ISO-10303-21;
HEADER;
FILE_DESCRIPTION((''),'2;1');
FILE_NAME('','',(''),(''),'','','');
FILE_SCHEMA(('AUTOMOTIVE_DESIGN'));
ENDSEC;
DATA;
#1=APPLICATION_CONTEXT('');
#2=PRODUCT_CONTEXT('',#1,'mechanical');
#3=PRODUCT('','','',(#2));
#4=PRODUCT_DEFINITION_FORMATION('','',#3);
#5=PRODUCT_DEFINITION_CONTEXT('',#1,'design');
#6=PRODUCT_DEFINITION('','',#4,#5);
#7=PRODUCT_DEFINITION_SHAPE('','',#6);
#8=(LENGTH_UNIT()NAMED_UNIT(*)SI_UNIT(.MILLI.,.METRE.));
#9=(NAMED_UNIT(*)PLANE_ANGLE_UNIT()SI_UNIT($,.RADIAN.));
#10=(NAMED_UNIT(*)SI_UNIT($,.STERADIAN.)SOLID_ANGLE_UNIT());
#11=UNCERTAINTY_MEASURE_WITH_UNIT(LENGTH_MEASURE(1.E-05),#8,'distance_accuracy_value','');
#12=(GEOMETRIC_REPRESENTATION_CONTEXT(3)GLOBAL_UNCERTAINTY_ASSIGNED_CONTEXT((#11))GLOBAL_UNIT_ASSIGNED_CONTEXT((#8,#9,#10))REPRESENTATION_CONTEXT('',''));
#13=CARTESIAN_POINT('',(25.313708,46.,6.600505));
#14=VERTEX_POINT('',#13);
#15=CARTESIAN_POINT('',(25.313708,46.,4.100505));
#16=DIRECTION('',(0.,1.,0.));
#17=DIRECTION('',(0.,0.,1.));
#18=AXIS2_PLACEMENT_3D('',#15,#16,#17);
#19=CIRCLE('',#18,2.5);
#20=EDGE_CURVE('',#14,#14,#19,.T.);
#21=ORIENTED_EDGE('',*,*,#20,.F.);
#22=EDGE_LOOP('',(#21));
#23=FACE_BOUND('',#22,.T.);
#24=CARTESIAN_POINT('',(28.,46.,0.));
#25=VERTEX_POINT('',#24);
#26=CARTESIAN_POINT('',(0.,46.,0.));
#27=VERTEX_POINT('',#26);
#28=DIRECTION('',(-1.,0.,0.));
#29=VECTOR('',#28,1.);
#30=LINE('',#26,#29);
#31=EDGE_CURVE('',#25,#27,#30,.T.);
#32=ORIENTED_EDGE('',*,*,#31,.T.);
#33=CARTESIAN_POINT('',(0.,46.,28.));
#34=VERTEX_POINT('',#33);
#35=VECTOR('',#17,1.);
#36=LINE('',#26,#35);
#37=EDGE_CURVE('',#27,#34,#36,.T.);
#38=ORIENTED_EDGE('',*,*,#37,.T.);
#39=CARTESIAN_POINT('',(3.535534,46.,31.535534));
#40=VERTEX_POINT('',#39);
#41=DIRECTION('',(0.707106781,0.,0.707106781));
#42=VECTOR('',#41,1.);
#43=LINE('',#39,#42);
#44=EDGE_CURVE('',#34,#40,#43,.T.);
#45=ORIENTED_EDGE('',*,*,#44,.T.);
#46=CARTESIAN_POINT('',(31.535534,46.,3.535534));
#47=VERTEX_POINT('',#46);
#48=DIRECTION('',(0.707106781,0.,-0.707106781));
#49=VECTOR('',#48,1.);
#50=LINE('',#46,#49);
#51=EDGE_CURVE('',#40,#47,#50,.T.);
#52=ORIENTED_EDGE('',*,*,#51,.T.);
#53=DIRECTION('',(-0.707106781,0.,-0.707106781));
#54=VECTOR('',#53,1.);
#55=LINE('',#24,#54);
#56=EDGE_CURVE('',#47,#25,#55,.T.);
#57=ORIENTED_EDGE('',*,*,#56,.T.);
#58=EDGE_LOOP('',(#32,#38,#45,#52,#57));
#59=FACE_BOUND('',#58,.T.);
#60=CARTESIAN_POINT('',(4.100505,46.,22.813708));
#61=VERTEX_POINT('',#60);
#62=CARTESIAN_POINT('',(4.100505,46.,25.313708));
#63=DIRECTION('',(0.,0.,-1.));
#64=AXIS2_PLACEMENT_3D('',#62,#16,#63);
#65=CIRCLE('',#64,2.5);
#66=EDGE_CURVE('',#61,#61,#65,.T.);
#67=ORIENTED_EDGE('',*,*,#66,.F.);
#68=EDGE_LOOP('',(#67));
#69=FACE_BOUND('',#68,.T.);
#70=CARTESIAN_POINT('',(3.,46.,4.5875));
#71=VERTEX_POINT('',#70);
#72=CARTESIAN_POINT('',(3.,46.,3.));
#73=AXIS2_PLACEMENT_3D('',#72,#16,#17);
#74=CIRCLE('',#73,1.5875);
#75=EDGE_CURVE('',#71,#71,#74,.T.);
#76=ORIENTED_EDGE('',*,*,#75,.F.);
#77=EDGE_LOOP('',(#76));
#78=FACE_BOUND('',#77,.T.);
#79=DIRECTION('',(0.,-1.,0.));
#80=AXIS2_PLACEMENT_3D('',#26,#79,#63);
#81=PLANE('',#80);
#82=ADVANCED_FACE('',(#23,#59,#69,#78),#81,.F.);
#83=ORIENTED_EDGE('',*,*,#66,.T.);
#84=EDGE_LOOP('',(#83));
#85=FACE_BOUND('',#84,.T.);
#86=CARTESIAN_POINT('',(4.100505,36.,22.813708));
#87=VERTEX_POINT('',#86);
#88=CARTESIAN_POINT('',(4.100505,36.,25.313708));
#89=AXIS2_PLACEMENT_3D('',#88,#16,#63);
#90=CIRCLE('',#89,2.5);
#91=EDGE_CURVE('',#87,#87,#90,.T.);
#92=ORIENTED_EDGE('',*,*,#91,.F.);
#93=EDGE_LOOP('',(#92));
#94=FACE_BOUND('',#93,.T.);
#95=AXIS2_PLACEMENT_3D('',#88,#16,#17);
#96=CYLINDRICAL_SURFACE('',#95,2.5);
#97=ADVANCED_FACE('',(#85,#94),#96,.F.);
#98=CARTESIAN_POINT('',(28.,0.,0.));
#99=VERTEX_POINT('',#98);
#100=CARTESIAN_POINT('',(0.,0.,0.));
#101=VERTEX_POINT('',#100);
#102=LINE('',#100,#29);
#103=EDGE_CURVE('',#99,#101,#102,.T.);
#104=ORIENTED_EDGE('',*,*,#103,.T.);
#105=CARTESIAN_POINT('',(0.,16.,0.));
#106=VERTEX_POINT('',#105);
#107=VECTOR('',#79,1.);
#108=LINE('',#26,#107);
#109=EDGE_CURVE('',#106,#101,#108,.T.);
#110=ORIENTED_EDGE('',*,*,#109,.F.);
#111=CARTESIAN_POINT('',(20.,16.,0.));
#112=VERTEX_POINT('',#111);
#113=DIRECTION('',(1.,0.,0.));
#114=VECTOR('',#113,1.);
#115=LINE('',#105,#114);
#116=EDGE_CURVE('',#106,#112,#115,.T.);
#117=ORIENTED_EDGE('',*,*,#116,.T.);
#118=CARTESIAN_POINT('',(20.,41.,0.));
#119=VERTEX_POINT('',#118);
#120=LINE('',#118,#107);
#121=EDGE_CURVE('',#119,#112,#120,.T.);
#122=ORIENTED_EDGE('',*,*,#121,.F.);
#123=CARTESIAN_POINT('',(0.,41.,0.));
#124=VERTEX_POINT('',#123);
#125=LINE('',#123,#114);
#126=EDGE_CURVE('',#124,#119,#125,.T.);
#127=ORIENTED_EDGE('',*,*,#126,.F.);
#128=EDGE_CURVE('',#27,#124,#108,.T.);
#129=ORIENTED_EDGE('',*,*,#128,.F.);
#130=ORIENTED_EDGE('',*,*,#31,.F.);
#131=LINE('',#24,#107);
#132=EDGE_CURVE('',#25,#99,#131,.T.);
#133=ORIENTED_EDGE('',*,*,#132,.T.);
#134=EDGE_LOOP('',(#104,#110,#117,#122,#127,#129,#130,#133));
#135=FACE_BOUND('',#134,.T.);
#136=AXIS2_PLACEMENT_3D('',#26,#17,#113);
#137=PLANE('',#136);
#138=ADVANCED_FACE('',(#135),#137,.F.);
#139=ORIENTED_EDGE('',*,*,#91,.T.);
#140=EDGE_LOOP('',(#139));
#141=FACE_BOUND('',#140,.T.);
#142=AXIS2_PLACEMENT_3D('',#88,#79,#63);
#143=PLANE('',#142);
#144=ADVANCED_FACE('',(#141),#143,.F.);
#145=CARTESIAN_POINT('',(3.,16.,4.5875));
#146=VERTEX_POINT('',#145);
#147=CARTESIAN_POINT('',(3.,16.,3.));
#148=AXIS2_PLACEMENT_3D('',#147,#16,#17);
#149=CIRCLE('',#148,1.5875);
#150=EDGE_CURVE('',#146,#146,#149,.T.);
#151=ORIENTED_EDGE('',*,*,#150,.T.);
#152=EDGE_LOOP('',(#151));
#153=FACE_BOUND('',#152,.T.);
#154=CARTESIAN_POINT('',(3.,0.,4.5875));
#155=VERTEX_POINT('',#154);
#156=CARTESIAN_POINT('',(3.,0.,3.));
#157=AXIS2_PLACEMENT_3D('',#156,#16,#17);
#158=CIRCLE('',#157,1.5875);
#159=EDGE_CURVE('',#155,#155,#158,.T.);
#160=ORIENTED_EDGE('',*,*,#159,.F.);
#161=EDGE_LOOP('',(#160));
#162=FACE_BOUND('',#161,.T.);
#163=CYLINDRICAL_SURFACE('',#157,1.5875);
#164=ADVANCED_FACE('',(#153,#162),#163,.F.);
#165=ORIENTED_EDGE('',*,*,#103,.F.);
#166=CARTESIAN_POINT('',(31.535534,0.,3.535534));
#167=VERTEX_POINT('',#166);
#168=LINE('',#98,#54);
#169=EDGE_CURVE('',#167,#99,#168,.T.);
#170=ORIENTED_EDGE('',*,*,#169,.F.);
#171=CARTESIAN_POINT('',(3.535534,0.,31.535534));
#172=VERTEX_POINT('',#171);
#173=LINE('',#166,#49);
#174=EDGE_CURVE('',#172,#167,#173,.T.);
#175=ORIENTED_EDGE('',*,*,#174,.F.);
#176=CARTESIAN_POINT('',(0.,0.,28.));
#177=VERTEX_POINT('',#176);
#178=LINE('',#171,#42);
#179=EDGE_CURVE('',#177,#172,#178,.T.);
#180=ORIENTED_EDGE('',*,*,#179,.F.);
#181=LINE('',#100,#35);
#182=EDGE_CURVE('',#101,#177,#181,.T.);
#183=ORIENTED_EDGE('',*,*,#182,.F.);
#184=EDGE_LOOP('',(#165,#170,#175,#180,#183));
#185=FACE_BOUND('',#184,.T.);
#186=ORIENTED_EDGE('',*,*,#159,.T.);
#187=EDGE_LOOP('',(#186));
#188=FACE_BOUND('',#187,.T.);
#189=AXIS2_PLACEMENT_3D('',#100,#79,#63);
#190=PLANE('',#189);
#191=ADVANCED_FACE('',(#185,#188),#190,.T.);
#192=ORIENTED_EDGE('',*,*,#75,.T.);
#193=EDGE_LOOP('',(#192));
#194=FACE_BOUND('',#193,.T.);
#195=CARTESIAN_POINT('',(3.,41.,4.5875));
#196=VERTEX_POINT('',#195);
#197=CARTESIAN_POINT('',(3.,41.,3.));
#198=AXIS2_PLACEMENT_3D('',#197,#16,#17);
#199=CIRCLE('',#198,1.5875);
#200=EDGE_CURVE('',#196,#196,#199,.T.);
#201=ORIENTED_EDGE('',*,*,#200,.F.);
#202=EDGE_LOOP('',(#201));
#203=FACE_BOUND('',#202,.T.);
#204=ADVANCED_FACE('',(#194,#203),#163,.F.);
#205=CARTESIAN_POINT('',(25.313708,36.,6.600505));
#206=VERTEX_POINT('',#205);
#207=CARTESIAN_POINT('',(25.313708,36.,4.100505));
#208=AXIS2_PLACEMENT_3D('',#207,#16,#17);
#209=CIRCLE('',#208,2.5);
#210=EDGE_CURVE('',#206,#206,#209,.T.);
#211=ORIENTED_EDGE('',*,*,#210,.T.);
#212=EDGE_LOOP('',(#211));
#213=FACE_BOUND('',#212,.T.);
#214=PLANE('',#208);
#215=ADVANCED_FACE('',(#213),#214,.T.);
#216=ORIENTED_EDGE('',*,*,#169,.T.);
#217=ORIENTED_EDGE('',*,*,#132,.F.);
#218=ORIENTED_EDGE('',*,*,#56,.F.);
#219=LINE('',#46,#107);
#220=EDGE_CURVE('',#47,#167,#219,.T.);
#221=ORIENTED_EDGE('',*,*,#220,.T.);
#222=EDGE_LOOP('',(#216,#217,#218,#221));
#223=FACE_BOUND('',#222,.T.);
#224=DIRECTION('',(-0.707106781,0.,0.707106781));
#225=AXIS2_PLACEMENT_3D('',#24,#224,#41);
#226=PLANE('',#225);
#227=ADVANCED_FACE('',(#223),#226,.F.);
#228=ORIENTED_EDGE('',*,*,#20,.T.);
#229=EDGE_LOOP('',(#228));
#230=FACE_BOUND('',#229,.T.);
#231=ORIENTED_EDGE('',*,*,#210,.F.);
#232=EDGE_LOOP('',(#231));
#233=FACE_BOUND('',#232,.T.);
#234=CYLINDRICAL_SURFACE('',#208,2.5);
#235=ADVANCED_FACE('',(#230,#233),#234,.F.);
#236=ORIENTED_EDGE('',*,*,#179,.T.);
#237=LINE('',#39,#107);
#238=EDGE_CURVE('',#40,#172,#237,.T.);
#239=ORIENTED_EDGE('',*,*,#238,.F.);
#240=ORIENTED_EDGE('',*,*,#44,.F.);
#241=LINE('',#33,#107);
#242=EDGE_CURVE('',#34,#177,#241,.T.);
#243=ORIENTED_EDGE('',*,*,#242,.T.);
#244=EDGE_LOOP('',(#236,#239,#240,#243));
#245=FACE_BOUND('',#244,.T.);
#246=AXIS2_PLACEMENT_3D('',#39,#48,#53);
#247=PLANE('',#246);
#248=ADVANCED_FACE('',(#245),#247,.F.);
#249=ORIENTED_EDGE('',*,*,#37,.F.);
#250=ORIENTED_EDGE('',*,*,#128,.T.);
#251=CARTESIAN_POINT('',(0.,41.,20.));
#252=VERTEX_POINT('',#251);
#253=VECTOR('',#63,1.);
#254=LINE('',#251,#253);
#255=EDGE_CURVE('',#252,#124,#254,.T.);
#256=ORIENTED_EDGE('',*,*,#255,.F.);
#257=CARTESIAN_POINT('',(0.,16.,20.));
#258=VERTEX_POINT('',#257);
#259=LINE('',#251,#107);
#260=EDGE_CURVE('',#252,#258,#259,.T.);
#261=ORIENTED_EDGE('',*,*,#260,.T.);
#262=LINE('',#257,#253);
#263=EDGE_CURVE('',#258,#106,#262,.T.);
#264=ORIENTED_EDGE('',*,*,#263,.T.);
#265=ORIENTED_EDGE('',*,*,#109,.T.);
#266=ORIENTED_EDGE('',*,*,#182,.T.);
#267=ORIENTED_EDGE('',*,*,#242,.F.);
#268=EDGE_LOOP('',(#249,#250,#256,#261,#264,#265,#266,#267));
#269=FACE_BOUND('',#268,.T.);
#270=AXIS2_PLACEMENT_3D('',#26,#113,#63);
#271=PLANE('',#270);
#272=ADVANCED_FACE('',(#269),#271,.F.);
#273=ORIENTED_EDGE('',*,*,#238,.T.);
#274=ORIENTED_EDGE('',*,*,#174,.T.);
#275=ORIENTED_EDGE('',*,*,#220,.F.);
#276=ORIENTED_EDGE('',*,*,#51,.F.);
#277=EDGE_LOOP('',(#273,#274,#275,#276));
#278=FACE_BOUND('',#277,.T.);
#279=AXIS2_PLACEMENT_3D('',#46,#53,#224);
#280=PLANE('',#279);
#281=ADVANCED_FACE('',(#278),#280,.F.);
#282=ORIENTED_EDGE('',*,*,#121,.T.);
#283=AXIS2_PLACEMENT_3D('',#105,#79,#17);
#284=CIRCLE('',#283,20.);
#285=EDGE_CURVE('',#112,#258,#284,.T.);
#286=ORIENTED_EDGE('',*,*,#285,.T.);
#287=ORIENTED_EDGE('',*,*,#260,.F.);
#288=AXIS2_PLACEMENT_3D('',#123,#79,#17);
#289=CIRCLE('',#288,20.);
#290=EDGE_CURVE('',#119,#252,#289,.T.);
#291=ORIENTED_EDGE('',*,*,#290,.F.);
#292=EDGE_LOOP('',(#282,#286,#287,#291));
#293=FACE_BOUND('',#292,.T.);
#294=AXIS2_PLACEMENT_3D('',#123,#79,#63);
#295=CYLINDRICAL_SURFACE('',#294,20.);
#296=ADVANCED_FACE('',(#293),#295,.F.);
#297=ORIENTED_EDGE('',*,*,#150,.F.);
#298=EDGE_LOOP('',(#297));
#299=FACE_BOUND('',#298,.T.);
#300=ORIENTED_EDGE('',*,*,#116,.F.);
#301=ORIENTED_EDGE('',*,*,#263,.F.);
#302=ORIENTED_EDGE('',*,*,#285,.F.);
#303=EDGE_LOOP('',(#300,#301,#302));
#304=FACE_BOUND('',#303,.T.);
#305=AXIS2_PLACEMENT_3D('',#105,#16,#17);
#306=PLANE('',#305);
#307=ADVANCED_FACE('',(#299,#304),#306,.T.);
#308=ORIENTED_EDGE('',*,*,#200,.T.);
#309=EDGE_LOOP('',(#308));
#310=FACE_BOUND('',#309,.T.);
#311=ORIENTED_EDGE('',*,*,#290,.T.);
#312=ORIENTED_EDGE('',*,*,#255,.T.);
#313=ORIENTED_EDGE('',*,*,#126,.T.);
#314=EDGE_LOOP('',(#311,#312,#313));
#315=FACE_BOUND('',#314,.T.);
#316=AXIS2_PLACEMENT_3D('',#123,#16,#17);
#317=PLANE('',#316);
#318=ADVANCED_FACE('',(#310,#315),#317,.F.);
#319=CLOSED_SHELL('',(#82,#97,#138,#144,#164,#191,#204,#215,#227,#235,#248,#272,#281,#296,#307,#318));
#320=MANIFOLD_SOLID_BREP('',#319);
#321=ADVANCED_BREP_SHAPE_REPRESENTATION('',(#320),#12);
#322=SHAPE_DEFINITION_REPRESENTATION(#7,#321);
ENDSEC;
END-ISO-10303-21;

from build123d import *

# Parameters (mm, degrees)
BOSS_EXTRUDE1_DEPTH = 46
CUT_EXTRUDE3_START  = -16
CUT_EXTRUDE3_DEPTH  = 25
SKETCH3_R           = 1.5875
CUT_EXTRUDE4_DEPTH  = 65.070116259
SKETCH5_R           = 2.5
CUT_EXTRUDE5_DEPTH  = 10


with BuildPart() as part:
    # Sketch1 → Boss-Extrude1 (new body)
    with BuildSketch(Plane(origin=(0, 0, 0), x_dir=(1, 0, 0), z_dir=(0, 1, 0))):
        Polygon((0, 0), (0, -28), (3.535533906, -31.535533906), (31.535533906, -3.535533906), (28, 0), align=None)
    extrude(amount=BOSS_EXTRUDE1_DEPTH)

    # Sketch2 → Cut-Extrude3 (cut)
    with BuildSketch(Plane.XZ.offset(CUT_EXTRUDE3_START)):
        with BuildLine():
            Line((0, 20), (0, 0))
            Line((0, 0), (20, 0))
            ThreePointArc((20, 0), (14.142135624, 14.142135624), (0, 20))
        make_face()
    extrude(amount=-CUT_EXTRUDE3_DEPTH, mode=Mode.SUBTRACT)

    # Sketch3 → Cut-Extrude4 (cut, through all)
    with BuildSketch(Plane(origin=(0, 46, 0), x_dir=(1, 0, 0), z_dir=(0, 1, 0))):
        with Locations(Location((3, -3, 0), (0, 0, 270))):
            Circle(SKETCH3_R)
    extrude(amount=-CUT_EXTRUDE4_DEPTH, mode=Mode.SUBTRACT)

    # Sketch5 → Cut-Extrude5 (cut)
    with BuildSketch(Plane(origin=(0, 46, 0), x_dir=(1, 0, 0), z_dir=(0, 1, 0))):
        with Locations(Location((25.313708499, -4.100505063, 0), (0, 0, 270))):
            Circle(SKETCH5_R)
        with Locations(Location((4.100505063, -25.313708499, 0), (0, 0, 90))):
            Circle(SKETCH5_R)
    extrude(amount=-CUT_EXTRUDE5_DEPTH, mode=Mode.SUBTRACT)


solid = part.part
